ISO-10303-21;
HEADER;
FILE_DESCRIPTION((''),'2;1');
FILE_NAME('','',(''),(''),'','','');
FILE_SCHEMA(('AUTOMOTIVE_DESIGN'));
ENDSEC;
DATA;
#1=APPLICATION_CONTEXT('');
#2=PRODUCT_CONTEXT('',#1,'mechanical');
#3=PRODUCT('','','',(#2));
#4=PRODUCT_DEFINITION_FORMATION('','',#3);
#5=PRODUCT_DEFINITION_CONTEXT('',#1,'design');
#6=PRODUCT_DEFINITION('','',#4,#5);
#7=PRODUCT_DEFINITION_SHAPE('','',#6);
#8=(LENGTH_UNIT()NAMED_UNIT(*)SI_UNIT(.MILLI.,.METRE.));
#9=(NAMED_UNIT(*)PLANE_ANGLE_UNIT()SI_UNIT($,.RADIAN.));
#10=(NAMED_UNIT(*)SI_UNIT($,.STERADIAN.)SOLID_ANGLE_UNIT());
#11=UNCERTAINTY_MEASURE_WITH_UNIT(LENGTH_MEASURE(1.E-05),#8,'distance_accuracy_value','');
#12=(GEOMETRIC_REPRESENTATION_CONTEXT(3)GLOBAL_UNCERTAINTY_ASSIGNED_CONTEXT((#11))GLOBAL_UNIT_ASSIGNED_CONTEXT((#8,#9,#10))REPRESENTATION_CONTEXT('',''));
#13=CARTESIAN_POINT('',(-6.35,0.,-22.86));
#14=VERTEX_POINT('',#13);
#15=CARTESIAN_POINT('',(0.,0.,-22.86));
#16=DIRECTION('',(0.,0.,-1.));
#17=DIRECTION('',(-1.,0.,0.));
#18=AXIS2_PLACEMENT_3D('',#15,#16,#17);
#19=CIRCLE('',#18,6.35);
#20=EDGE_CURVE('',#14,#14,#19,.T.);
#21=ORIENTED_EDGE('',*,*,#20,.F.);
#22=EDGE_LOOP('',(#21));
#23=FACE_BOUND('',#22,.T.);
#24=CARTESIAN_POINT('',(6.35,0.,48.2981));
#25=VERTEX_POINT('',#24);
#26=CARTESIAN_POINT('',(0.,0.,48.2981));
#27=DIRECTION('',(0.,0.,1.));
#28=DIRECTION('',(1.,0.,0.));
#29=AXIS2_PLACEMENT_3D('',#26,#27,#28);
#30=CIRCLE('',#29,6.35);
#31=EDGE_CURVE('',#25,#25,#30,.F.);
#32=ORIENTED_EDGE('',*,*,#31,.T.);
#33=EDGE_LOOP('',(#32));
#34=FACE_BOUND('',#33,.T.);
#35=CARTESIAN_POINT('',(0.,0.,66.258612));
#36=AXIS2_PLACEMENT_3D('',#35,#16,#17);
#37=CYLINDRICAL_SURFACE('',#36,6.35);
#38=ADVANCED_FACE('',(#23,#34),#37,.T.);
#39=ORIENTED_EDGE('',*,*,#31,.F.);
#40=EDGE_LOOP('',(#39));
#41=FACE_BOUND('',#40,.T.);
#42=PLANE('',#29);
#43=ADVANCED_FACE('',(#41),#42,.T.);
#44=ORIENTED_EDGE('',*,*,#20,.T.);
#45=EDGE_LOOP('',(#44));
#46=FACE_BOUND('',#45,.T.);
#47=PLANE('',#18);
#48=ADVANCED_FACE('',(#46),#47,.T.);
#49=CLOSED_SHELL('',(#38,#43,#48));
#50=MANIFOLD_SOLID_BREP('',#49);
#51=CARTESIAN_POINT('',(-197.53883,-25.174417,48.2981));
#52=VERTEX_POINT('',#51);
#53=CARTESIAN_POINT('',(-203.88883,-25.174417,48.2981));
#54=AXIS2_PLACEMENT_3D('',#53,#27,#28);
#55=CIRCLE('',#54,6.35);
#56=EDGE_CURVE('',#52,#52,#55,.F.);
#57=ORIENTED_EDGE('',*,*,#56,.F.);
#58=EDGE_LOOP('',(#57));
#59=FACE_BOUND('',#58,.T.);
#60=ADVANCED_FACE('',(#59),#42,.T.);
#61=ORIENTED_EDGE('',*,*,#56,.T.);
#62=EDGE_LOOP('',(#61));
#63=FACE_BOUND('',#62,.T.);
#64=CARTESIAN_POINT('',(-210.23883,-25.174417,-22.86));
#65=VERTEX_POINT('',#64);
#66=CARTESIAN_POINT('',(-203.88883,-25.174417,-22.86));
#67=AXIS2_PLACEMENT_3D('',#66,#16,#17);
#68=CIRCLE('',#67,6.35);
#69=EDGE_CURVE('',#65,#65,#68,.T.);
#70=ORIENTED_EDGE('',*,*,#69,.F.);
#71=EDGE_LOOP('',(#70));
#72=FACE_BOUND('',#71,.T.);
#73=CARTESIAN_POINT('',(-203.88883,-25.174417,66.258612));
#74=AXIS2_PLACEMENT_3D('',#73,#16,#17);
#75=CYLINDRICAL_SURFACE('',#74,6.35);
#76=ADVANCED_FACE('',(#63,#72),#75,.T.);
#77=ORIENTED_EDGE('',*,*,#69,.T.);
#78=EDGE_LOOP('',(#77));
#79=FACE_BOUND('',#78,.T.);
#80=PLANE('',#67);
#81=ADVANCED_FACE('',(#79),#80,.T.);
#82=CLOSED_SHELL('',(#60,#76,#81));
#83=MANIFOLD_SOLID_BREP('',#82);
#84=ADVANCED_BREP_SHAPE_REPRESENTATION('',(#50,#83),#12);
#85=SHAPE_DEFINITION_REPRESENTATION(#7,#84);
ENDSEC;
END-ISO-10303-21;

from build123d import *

# Parameters (mm, degrees)
SKETCH2_R             = 6.35
BOSS_EXTRUDE1_DEPTH   = 71.1581
BOSS_EXTRUDE1_2_DEPTH = 71.1581


with BuildPart() as part:
    # Sketch2 → Boss-Extrude1 (new body)
    with BuildSketch(Plane(origin=(0, 0, -22.86), x_dir=(-1, 0, 0), z_dir=(0, 0, -1))):
        with Locations((203.888829504, -25.174417137)):
            Circle(SKETCH2_R)
    extrude(amount=-BOSS_EXTRUDE1_DEPTH)


with BuildPart() as body_2:
    # Sketch2 → Boss-Extrude1 2 (new body)
    with BuildSketch(Plane(origin=(0, 0, -22.86), x_dir=(-1, 0, 0), z_dir=(0, 0, -1))):
        Circle(SKETCH2_R)
    extrude(amount=-BOSS_EXTRUDE1_2_DEPTH)


solid = Compound([part.part, body_2.part])
